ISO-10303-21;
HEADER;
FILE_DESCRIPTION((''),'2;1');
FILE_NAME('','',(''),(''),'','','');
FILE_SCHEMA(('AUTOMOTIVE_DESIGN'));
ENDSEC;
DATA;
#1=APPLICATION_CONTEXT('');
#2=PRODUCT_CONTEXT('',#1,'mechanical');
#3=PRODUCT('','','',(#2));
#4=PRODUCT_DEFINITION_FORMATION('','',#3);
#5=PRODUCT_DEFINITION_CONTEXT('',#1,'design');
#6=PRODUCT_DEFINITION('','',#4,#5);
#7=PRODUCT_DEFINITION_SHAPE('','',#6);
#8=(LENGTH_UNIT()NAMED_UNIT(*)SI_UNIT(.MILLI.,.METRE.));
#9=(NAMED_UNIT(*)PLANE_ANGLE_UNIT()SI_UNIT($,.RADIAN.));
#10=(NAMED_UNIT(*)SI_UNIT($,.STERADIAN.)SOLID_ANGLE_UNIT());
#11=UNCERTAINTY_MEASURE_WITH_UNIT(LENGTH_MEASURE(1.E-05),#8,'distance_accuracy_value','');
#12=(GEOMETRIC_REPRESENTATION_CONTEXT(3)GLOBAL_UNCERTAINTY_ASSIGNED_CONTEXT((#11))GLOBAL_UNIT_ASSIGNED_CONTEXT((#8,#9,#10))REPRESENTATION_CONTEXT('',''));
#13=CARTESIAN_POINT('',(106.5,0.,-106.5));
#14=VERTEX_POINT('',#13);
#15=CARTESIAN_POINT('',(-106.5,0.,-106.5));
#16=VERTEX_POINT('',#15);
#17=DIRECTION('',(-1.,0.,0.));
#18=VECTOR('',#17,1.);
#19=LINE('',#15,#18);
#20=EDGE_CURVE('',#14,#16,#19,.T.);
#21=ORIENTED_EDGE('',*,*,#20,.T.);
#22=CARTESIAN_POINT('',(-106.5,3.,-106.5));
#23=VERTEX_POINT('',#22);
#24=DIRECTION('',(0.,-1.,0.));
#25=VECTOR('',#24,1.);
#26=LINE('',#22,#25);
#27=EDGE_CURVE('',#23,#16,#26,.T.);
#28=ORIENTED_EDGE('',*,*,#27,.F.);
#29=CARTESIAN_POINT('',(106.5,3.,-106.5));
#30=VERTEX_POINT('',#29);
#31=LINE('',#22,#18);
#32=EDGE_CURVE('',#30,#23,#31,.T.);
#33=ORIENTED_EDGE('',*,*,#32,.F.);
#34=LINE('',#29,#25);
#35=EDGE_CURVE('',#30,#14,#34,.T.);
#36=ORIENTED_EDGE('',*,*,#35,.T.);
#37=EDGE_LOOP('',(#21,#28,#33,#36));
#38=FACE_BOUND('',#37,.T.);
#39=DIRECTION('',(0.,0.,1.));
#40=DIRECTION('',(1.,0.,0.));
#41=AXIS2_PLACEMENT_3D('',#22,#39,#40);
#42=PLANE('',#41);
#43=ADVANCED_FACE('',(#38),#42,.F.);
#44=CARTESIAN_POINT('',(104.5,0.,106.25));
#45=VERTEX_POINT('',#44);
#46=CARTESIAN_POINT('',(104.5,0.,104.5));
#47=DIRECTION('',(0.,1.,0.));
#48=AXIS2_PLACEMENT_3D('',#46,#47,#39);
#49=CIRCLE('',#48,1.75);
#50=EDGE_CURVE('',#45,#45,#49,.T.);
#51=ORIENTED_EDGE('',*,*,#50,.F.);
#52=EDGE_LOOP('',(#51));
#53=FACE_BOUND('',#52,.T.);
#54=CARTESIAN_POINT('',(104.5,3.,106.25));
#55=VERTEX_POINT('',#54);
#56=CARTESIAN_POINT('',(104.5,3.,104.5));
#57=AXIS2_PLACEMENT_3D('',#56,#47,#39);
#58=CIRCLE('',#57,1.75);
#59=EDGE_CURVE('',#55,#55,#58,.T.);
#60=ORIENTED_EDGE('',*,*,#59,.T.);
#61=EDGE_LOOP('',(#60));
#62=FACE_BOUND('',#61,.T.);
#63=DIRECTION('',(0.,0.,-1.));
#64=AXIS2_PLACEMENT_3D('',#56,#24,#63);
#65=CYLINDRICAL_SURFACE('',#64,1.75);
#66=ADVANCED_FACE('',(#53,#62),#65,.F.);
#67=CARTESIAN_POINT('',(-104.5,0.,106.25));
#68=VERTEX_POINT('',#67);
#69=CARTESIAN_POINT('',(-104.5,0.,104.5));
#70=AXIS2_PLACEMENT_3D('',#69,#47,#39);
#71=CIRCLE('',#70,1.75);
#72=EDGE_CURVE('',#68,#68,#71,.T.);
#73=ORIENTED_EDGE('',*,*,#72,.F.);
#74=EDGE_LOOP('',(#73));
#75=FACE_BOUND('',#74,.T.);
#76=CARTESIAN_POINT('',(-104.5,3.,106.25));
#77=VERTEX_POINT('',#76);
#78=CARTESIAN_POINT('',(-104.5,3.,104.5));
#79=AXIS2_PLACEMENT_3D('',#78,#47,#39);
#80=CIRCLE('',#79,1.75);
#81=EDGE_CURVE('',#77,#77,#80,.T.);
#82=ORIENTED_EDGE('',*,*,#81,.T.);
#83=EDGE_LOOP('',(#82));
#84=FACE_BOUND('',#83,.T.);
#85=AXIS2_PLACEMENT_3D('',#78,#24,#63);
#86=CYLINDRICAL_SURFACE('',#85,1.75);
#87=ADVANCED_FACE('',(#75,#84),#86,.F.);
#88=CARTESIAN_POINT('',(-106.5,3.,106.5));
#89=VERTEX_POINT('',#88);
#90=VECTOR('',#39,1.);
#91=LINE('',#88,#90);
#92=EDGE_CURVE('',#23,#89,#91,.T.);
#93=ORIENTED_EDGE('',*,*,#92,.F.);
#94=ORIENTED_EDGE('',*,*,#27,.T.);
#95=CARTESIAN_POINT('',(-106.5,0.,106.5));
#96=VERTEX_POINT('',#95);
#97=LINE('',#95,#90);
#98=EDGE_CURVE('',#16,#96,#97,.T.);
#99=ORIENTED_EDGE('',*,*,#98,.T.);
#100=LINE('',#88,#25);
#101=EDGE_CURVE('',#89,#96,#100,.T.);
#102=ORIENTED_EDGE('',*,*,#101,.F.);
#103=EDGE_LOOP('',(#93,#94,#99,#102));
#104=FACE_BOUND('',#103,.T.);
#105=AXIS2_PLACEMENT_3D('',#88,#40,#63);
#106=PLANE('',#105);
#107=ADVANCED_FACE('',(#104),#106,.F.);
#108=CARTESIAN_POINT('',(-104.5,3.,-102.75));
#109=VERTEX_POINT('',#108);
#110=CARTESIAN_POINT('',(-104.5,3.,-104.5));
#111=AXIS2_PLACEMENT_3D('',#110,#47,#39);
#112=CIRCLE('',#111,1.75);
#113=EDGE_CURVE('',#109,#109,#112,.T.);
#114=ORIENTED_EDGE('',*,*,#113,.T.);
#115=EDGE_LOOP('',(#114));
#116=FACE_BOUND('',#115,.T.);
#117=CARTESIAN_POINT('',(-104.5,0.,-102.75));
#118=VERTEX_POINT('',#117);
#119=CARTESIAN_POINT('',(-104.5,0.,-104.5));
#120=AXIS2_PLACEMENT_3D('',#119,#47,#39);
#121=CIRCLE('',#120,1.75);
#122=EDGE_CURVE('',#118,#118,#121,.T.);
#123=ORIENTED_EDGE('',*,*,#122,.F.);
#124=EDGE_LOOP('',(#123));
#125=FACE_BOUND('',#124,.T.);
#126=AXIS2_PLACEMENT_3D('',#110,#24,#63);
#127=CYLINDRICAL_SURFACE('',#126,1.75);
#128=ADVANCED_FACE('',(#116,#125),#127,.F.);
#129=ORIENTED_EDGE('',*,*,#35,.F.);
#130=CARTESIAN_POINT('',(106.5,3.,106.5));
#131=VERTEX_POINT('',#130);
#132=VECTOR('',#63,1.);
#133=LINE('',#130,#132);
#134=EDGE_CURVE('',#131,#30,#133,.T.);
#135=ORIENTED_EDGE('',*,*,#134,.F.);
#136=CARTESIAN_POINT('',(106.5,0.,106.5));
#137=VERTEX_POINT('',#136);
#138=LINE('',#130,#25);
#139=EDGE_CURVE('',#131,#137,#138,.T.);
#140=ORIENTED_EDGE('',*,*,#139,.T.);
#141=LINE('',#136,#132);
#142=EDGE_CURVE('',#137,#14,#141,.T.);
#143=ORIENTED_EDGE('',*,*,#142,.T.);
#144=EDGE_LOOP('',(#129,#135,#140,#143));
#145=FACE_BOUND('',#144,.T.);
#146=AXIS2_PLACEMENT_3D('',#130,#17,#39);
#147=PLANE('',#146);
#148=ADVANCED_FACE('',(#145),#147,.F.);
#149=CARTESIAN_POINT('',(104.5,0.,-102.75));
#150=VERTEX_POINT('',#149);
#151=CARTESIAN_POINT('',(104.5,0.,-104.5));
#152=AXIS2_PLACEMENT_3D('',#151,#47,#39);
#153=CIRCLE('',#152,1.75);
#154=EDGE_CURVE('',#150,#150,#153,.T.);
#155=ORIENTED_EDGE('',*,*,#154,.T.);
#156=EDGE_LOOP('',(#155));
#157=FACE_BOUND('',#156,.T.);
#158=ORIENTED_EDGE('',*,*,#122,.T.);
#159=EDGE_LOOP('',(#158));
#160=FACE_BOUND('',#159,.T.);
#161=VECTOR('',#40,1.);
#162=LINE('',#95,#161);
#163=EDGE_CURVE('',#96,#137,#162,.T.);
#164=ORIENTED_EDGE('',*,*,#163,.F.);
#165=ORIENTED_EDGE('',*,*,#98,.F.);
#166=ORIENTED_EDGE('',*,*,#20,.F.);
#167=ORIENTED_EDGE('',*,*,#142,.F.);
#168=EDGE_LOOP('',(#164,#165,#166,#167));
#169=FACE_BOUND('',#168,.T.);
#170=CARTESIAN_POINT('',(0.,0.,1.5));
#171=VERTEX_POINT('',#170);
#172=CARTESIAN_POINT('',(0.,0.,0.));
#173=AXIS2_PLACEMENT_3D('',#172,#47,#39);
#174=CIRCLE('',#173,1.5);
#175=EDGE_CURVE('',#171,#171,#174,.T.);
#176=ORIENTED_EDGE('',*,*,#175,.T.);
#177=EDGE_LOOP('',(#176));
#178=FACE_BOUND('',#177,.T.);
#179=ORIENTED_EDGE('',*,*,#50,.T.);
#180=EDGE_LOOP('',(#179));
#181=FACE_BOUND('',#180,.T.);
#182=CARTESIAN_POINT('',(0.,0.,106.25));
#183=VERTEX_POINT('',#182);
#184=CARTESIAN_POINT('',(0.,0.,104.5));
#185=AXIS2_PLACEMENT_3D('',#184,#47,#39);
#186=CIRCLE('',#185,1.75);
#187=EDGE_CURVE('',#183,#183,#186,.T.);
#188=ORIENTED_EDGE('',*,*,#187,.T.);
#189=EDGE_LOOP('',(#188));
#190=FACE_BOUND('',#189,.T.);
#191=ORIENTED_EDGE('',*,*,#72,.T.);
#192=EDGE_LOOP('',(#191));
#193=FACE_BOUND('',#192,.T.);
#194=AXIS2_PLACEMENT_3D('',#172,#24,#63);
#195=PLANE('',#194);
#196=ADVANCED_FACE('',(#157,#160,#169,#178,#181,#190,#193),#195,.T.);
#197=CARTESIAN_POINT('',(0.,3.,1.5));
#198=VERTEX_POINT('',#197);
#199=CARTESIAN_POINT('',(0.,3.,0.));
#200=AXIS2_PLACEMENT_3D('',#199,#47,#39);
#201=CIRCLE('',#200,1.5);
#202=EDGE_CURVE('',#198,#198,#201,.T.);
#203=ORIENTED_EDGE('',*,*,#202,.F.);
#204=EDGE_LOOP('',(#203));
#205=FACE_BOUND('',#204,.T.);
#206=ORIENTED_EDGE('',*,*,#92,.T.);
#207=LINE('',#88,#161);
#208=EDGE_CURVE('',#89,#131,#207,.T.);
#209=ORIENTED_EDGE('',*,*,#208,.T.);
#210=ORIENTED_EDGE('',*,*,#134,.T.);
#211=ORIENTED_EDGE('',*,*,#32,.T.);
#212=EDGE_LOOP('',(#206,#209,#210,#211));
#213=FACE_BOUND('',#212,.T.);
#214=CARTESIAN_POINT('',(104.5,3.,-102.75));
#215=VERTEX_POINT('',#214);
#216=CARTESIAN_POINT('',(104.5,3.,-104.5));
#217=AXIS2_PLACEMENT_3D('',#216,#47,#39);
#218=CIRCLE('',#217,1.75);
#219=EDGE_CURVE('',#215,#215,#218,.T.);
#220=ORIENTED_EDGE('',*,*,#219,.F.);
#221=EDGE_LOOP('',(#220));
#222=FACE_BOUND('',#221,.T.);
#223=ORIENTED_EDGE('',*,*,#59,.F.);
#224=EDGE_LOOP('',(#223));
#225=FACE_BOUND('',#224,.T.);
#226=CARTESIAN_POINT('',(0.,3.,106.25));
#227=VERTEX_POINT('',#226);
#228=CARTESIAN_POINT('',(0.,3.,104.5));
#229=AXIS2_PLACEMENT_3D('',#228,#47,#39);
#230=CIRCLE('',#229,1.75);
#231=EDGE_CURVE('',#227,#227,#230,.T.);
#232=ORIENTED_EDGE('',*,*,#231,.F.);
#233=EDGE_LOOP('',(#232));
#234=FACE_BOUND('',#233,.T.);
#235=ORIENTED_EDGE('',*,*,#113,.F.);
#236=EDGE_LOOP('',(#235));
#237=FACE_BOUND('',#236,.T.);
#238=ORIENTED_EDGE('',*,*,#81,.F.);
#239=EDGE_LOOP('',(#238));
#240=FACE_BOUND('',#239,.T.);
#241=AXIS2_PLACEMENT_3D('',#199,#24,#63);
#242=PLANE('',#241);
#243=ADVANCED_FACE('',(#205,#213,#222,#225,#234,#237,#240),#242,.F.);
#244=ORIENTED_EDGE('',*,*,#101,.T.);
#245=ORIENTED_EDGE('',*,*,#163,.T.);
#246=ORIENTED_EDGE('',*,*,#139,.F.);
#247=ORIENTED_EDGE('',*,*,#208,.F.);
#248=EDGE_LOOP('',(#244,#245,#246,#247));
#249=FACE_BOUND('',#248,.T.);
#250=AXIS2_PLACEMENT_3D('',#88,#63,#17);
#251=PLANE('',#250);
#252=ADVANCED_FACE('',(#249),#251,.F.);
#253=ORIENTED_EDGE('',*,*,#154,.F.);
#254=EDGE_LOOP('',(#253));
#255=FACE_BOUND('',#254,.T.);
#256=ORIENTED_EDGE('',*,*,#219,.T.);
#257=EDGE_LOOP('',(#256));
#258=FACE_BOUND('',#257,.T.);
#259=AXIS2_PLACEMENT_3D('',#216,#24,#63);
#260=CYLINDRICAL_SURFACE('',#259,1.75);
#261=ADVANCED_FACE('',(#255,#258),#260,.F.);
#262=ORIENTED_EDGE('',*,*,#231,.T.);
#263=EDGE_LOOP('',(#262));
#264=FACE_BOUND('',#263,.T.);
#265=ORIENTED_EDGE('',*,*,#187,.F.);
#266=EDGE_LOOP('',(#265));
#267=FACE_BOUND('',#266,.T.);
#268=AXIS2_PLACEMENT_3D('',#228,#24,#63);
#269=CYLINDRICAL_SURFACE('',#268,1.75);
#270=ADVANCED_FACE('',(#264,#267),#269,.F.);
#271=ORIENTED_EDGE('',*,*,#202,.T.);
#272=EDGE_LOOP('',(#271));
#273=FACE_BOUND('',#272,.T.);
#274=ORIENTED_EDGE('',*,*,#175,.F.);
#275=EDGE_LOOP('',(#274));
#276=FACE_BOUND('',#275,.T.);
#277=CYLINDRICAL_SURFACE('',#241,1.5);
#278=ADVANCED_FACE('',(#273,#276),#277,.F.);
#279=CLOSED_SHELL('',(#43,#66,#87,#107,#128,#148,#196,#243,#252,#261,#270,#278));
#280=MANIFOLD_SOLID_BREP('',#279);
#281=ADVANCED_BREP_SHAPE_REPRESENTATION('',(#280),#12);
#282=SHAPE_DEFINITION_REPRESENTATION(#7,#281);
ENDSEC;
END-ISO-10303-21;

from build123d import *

# Parameters (mm, degrees)
SKETCH1_W           = 213
SKETCH1_H           = 213
SKETCH1_R           = 1.75
SKETCH1_R_2         = 1.5
BOSS_EXTRUDE1_DEPTH = 3


with BuildPart() as part:
    # Sketch1 → Boss-Extrude1 (new body)
    with BuildSketch(Plane(origin=(0, 0, 0), x_dir=(1, 0, 0), z_dir=(0, 1, 0))):
        Rectangle(SKETCH1_W, SKETCH1_H)
        with Locations(Location((-104.5, 104.5, 0), (0, 0, 270))):
            Circle(SKETCH1_R, mode=Mode.SUBTRACT)
        with Locations(Location((104.5, 104.5, 0), (0, 0, 270))):
            Circle(SKETCH1_R, mode=Mode.SUBTRACT)
        with Locations(Location((-104.5, -104.5, 0), (0, 0, 270))):
            Circle(SKETCH1_R, mode=Mode.SUBTRACT)
        with Locations(Location((104.5, -104.5, 0), (0, 0, 270))):
            Circle(SKETCH1_R, mode=Mode.SUBTRACT)
        with Locations(Location((0, -104.5, 0), (0, 0, 270))):
            Circle(SKETCH1_R, mode=Mode.SUBTRACT)
        with Locations(Location((0, 0, 0), (0, 0, 270))):
            Circle(SKETCH1_R_2, mode=Mode.SUBTRACT)
    extrude(amount=BOSS_EXTRUDE1_DEPTH)


solid = part.part
